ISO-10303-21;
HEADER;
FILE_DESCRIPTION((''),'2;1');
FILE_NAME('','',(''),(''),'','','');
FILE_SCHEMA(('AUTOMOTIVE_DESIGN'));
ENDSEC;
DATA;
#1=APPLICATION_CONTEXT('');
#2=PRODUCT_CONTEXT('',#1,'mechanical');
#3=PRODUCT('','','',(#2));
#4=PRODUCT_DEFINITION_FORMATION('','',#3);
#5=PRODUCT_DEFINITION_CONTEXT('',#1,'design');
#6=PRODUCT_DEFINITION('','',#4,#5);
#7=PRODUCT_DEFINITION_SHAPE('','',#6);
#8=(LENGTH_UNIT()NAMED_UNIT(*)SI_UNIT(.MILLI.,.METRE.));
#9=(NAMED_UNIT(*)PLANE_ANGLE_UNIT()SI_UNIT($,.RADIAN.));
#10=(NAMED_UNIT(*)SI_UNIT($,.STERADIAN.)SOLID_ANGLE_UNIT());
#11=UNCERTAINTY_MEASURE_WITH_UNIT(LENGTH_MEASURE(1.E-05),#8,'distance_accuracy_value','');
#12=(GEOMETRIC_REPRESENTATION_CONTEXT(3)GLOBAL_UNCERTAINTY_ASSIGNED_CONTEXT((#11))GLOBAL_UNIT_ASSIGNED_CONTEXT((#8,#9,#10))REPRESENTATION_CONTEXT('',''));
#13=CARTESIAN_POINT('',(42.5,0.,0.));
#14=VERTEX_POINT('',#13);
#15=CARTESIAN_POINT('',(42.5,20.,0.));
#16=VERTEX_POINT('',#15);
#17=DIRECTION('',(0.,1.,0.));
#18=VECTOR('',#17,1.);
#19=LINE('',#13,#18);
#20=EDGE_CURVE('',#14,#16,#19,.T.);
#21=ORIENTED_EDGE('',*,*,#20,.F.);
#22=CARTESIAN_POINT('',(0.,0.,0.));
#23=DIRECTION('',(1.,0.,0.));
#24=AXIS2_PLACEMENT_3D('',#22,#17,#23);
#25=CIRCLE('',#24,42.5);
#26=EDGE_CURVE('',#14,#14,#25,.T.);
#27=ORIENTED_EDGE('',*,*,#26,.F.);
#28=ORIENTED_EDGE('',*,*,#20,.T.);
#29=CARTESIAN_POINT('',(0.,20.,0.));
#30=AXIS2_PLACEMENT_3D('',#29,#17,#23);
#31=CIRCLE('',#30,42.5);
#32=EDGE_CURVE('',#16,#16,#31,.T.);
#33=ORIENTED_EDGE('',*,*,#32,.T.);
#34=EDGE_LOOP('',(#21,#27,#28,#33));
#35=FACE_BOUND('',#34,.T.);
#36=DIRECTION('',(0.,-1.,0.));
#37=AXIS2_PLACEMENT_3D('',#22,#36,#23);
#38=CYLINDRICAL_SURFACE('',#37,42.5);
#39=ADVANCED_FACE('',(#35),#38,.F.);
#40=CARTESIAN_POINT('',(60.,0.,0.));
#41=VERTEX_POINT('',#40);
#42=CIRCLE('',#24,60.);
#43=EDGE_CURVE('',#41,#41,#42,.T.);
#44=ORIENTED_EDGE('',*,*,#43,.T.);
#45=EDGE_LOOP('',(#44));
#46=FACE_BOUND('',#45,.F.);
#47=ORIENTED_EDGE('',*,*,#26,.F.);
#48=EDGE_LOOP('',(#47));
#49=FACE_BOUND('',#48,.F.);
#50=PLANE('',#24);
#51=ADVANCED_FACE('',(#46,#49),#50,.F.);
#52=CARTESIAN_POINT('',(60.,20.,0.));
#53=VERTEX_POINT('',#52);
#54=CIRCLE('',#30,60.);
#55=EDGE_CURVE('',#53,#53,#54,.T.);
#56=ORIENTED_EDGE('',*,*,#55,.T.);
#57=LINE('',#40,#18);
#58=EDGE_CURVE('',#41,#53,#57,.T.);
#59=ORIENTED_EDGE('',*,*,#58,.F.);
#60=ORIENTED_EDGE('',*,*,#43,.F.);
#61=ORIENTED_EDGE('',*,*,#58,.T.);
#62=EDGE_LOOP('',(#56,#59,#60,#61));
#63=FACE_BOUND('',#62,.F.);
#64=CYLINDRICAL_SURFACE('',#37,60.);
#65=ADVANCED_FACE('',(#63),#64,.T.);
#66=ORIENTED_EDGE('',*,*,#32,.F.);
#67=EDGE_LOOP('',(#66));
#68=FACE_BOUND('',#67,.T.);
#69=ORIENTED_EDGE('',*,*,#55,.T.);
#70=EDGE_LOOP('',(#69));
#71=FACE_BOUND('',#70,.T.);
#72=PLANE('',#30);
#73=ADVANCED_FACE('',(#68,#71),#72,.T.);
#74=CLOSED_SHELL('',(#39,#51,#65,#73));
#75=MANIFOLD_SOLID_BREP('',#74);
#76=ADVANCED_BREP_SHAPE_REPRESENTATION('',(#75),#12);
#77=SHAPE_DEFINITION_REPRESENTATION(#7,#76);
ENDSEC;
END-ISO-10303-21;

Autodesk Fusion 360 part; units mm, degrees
sketch "Sketch1" plane through (0, 0, 0) normal (0, 1, 0) x (1, 0, 0)
  circle A0 centre (0, 0) radius 42.5
  circle A1 centre (0, 0) radius 60
  dimension "d1" = 85
  dimension "d2" = 120
extrude "Extrude1" add sketch "Sketch1" along normal blind 20
